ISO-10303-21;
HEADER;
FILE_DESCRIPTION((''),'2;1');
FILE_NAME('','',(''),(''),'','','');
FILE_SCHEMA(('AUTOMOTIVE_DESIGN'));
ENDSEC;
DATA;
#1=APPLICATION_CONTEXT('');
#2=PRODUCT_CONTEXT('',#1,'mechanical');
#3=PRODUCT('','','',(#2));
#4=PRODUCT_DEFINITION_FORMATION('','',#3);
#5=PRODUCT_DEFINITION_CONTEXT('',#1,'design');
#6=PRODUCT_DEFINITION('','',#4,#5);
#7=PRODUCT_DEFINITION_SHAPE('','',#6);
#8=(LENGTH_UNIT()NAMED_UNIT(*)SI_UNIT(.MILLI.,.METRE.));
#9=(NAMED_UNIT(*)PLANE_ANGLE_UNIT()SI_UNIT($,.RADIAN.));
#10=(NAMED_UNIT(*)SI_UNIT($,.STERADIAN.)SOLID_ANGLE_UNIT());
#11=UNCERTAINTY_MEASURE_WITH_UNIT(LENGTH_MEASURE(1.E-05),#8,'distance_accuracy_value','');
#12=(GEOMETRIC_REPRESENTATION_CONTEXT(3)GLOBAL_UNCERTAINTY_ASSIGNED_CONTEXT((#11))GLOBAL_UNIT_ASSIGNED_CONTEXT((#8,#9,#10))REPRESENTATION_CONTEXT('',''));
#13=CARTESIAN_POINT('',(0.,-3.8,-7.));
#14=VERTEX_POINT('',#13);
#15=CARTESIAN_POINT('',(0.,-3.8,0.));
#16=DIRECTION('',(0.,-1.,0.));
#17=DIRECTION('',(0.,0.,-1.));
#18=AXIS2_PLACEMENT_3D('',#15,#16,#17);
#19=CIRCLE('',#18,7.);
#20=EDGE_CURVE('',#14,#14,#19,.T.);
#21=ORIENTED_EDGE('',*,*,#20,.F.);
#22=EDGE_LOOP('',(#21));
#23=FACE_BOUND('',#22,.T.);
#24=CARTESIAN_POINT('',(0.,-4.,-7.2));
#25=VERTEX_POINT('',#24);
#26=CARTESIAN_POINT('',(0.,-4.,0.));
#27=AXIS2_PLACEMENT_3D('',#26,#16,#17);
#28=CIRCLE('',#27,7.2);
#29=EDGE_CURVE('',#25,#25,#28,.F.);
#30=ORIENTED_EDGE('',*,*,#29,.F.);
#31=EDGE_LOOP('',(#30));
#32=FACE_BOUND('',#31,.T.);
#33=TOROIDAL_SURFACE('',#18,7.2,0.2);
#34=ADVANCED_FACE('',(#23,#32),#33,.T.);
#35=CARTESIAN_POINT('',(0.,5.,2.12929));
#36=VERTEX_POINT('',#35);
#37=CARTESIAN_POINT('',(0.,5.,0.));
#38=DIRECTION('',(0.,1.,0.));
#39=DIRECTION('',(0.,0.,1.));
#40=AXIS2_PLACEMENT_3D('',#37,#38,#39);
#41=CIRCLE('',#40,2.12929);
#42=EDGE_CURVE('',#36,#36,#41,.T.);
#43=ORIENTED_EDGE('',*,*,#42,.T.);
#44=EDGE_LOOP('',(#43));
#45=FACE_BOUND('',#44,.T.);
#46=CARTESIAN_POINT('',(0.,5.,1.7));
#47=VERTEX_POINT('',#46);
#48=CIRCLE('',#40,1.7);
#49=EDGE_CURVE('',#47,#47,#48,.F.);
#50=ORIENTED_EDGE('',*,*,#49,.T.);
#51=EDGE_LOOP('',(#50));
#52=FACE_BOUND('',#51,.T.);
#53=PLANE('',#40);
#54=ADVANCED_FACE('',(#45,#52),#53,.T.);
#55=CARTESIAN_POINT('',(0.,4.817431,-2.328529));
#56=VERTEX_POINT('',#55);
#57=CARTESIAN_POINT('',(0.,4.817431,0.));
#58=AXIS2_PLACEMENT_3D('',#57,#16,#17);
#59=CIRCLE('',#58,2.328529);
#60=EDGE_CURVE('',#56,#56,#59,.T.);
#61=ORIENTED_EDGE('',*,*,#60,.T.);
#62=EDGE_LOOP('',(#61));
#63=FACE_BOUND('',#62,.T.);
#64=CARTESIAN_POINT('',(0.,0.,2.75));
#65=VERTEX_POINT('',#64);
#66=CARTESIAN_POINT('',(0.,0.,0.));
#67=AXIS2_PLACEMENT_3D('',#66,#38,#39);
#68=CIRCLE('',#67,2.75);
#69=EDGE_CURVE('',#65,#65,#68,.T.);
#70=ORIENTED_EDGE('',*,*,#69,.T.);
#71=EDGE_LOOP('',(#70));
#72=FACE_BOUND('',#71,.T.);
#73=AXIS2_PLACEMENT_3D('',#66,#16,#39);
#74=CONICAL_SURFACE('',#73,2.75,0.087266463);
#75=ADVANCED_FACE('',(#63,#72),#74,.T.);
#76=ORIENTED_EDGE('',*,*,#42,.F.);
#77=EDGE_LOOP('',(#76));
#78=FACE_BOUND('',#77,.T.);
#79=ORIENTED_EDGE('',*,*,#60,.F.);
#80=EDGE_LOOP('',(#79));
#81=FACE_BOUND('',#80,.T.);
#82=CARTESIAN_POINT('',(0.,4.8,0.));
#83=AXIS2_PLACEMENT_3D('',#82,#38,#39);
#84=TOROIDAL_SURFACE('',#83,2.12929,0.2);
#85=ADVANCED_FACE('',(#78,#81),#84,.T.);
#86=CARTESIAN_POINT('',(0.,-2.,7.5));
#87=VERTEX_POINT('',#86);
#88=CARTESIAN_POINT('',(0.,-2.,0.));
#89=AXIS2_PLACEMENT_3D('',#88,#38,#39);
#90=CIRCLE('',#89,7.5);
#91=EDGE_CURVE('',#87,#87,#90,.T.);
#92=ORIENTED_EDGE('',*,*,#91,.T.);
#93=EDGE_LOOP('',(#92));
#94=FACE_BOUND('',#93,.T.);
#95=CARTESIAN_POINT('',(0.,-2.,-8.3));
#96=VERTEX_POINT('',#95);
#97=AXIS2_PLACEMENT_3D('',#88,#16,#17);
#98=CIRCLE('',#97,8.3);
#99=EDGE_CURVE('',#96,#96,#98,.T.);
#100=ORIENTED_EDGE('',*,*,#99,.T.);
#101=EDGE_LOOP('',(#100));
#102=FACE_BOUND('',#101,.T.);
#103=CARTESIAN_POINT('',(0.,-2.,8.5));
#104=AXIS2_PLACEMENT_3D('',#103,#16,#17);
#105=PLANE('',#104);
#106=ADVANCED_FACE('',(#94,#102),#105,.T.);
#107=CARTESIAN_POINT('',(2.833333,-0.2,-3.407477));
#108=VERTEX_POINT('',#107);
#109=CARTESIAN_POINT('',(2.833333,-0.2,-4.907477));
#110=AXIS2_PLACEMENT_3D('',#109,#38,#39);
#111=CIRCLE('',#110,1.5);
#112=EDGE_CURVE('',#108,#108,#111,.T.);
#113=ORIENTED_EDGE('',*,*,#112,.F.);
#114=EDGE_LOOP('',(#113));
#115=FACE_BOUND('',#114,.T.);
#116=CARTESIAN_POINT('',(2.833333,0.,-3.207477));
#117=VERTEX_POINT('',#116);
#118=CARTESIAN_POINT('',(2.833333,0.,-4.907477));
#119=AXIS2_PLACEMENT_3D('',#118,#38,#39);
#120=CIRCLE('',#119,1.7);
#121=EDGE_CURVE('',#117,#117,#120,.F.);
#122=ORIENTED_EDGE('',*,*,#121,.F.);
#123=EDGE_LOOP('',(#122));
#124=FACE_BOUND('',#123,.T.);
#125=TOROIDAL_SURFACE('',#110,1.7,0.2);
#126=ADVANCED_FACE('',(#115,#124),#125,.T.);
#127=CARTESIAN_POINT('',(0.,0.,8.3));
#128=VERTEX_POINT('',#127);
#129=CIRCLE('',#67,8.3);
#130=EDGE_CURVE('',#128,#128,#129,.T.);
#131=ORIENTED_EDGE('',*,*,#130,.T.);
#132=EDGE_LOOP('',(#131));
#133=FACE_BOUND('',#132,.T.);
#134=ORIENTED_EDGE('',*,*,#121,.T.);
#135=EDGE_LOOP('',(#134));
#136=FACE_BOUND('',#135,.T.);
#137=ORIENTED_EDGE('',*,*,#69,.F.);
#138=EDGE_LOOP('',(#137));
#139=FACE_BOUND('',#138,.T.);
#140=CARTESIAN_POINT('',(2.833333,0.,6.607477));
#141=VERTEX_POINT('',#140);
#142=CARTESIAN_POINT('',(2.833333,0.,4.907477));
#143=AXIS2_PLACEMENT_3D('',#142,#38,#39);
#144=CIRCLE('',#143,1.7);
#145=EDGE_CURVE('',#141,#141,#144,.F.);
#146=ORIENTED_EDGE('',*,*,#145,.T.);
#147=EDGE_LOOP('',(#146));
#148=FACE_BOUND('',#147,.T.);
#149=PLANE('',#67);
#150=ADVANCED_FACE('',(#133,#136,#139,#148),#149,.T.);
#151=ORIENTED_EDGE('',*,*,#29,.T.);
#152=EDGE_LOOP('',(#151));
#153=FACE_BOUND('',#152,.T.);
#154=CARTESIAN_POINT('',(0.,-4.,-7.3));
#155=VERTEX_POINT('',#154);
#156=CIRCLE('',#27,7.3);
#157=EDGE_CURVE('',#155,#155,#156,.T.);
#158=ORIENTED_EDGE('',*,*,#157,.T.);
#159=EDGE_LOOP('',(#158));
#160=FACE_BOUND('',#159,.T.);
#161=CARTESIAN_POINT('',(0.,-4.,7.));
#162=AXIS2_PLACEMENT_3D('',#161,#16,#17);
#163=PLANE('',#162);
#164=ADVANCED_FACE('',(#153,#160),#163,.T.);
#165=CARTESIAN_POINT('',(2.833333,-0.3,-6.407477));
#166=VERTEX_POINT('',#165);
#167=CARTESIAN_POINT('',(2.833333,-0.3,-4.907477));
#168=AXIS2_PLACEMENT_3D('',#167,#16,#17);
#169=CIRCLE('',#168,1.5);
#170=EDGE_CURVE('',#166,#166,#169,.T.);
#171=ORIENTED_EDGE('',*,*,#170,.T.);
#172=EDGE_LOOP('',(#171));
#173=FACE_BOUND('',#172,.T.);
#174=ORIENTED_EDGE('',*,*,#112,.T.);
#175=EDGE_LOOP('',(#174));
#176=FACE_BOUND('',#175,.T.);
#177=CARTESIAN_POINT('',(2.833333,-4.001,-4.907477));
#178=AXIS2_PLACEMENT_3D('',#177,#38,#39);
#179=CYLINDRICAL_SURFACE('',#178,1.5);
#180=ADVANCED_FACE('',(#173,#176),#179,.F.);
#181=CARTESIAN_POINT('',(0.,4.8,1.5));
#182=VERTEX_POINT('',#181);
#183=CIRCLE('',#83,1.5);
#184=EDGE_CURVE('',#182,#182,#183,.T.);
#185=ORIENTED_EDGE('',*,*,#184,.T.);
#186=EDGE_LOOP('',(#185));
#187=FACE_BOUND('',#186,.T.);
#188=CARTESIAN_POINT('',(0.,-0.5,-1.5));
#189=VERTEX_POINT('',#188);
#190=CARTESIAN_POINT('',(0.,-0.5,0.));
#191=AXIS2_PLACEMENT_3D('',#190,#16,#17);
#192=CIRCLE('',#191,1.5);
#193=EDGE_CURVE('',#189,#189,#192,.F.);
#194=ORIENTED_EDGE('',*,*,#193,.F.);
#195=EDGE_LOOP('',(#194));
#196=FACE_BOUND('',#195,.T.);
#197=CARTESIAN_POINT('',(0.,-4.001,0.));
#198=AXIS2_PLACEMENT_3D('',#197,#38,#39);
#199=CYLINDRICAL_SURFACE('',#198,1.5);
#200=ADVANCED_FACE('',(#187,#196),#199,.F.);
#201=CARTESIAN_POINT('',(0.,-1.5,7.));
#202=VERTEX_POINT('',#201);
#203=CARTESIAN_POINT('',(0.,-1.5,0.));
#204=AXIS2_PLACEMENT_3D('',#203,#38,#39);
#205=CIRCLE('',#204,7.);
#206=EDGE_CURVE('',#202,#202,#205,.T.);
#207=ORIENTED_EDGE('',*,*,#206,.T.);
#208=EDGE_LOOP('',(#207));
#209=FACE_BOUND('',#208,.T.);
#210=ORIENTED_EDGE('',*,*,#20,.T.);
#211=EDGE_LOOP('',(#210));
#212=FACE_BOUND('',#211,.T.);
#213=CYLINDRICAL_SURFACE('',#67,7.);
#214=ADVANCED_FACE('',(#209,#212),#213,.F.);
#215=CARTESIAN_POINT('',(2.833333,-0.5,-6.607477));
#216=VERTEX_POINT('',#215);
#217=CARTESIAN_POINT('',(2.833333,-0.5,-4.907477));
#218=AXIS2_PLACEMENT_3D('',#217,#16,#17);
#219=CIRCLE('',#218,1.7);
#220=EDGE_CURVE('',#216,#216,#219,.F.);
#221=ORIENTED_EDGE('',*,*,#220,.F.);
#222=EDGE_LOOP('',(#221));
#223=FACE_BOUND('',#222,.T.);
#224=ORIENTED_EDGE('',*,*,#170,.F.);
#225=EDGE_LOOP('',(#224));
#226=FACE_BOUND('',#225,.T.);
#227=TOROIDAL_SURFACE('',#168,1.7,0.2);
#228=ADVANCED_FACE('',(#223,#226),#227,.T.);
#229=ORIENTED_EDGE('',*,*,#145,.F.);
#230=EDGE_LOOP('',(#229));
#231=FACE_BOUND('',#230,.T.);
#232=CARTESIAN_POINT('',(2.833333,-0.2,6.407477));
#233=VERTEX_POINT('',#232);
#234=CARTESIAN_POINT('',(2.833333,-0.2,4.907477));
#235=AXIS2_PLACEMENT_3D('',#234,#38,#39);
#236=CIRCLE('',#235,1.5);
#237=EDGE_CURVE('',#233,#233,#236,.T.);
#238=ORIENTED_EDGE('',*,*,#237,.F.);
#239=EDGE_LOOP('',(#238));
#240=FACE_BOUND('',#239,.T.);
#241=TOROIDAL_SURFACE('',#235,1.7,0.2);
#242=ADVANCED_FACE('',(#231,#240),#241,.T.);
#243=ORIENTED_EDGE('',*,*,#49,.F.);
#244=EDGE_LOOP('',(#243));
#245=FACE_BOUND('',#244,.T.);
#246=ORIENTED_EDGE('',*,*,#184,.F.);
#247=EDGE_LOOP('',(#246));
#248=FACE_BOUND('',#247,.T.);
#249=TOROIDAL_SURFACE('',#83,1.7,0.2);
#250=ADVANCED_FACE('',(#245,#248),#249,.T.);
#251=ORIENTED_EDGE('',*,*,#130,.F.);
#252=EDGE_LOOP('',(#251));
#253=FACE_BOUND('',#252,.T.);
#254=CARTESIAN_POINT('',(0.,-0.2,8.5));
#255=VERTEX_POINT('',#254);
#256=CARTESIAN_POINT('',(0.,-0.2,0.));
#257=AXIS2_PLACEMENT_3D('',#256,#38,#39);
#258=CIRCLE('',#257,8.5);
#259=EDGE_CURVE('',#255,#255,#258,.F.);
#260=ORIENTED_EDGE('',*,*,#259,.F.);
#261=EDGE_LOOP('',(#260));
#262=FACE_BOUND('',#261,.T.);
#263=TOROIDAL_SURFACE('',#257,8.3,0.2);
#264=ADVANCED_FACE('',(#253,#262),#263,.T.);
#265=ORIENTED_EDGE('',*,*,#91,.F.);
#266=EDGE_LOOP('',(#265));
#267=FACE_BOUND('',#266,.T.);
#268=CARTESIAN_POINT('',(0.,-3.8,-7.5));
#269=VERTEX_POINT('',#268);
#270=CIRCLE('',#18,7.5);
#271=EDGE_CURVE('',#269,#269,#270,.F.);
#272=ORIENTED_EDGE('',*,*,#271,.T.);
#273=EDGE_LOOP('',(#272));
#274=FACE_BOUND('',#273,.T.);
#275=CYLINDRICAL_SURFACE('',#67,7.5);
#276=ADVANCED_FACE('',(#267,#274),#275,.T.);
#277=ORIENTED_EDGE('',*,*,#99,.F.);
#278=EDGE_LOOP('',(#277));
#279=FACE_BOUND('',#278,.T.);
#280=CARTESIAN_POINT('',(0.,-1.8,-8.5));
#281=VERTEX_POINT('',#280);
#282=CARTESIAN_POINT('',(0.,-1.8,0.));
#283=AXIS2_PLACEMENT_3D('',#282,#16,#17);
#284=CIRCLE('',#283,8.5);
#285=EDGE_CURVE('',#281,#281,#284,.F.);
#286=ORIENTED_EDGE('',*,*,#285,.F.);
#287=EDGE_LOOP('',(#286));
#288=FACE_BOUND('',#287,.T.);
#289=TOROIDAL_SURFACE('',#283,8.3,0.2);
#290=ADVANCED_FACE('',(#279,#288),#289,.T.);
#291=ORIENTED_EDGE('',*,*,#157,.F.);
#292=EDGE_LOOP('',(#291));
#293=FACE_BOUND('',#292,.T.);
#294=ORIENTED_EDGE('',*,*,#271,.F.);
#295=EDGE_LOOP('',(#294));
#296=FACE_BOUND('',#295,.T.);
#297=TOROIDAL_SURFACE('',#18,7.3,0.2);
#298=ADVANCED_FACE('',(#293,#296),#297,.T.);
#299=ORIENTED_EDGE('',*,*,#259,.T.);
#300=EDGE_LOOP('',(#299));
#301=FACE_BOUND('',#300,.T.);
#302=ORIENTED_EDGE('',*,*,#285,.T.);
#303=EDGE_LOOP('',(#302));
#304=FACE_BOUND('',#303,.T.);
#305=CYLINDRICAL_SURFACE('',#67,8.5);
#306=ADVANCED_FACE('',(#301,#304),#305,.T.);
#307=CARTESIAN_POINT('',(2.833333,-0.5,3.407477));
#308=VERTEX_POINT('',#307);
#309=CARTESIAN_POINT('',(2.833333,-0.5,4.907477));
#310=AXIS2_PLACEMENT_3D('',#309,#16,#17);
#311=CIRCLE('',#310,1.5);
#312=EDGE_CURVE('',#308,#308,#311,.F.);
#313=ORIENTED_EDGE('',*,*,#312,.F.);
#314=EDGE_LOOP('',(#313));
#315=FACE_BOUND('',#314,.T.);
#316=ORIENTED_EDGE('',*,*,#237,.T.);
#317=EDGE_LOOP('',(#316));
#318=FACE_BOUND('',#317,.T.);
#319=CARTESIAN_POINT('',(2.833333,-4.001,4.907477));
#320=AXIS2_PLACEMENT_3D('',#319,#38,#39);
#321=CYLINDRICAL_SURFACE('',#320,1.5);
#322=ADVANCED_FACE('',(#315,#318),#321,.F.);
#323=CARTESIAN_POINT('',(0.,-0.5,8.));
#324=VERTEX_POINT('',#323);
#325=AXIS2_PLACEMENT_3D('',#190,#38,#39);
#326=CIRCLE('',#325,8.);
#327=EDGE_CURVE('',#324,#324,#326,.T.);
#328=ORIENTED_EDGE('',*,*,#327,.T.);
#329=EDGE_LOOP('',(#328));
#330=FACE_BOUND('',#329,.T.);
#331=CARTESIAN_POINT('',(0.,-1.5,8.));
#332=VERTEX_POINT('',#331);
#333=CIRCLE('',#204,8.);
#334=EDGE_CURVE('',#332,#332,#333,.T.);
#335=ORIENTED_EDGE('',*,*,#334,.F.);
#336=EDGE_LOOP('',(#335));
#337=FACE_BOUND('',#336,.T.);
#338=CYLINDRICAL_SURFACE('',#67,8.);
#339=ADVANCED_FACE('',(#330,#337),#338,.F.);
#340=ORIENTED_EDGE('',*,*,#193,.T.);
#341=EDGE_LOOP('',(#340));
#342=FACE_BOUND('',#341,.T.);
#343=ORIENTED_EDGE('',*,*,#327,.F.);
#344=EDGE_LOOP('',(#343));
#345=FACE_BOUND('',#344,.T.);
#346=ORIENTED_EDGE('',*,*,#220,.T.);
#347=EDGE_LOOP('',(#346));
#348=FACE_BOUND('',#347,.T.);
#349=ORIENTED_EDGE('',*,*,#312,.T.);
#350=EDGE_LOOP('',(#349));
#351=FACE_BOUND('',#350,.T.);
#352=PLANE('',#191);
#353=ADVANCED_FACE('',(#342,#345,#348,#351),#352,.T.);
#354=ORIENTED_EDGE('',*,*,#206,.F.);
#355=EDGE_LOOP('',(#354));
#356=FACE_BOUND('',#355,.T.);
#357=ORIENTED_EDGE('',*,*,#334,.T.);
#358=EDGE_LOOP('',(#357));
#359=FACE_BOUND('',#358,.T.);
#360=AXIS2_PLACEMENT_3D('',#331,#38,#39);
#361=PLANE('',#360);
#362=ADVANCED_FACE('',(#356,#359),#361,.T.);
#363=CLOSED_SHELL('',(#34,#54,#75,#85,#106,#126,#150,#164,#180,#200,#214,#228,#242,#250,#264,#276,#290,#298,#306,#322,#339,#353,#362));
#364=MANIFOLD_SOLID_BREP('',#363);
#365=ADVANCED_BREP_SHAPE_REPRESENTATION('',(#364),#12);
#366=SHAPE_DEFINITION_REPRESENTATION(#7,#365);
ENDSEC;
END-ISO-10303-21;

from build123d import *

# Parameters (mm, degrees)
CUT_EXTRUDE1_REACH  = 14.669
SKETCH2_R           = 1.5
BOSS_EXTRUDE1_START = 5
SKETCH3_R           = 2.75
SKETCH3_R_2         = 1.5
BOSS_EXTRUDE1_DEPTH = 5
DRAFT2_ANGLE        = 5
FILLET1_R           = 0.2


with BuildPart() as part:
    # Sketch1 → Revolve1 (revolve)
    with BuildSketch(Plane(origin=(0, 0, 0), x_dir=(0, 0, -1), z_dir=(1, 0, 0))):
        Polygon((-8.5, -2), (-7.5, -2), (-7.5, -4), (-7, -4), (-7, -1.5), (-8, -1.5), (-8, -0.5), (0, -0.5), (0, 0), (-8.5, 0), align=None)
    revolve(axis=Axis((0, 0, 0), (0, -1, 0)))

    # Sketch2 → Cut-Extrude1 (cut, up to next)
    with BuildSketch(Plane(origin=(0, 0, 0), x_dir=(1, 0, 0), z_dir=(0, 1, 0)), mode=Mode.PRIVATE) as cut_extrude1_sk1:
        with Locations(Location((2.833333333, 4.907477288, 0), (0, 0, 270))):
            Circle(SKETCH2_R)
    cut_extrude1_tool1 = extrude(cut_extrude1_sk1.sketch, amount=-CUT_EXTRUDE1_REACH, mode=Mode.PRIVATE) & part.part
    # Sketch2 → Cut-Extrude1 (cut, up to next)
    with BuildSketch(Plane(origin=(0, 0, 0), x_dir=(1, 0, 0), z_dir=(0, 1, 0)), mode=Mode.PRIVATE) as cut_extrude1_sk2:
        with Locations(Location((0, 0, 0), (0, 0, 270))):
            Circle(SKETCH2_R)
    cut_extrude1_tool2 = extrude(cut_extrude1_sk2.sketch, amount=-CUT_EXTRUDE1_REACH, mode=Mode.PRIVATE) & part.part
    # Sketch2 → Cut-Extrude1 (cut, up to next)
    with BuildSketch(Plane(origin=(0, 0, 0), x_dir=(1, 0, 0), z_dir=(0, 1, 0)), mode=Mode.PRIVATE) as cut_extrude1_sk3:
        with Locations(Location((2.833333333, -4.907477288, 0), (0, 0, 270))):
            Circle(SKETCH2_R)
    cut_extrude1_tool3 = extrude(cut_extrude1_sk3.sketch, amount=-CUT_EXTRUDE1_REACH, mode=Mode.PRIVATE) & part.part
    add(cut_extrude1_tool1.solids().sort_by_distance((2.833333, 0, -4.907477))[0], mode=Mode.SUBTRACT)
    add(cut_extrude1_tool2.solids().sort_by_distance((0, 0, 0))[0], mode=Mode.SUBTRACT)
    add(cut_extrude1_tool3.solids().sort_by_distance((2.833333, 0, 4.907477))[0], mode=Mode.SUBTRACT)

    # Sketch3 → Boss-Extrude1 (add)
    with BuildSketch(Plane(origin=(0, 0, 0), x_dir=(1, 0, 0), z_dir=(0, 1, 0)).offset(BOSS_EXTRUDE1_START)):
        with Locations(Location((0, 0, 0), (0, 0, 270))):
            Circle(SKETCH3_R)
        with Locations(Location((0, 0, 0), (0, 0, 270))):
            Circle(SKETCH3_R_2, mode=Mode.SUBTRACT)
    extrude(amount=-BOSS_EXTRUDE1_DEPTH)

    # Draft2
    draft2_faces = [part.faces().sort_by_distance(p)[0] for p in [
        (0, 2.5, -2.75),
    ]]
    draft(draft2_faces, Plane.ZX, DRAFT2_ANGLE)

    # Fillet1
    fillet1_edges = [part.edges().sort_by_distance(p)[0] for p in [
        (0, -2, -8.5),
        (0, 0, -8.5),
        (2.833333333, 0, -6.407477288),
        (2.833333333, -0.5, -6.407477288),
        (2.833333333, 0, 3.407477288),
        (0, 5, -2.312556682),
        (0, 5, -1.5),
        (0, -4, -7),
        (0, -4, -7.5),
    ]]
    fillet(fillet1_edges, radius=FILLET1_R)


solid = part.part
